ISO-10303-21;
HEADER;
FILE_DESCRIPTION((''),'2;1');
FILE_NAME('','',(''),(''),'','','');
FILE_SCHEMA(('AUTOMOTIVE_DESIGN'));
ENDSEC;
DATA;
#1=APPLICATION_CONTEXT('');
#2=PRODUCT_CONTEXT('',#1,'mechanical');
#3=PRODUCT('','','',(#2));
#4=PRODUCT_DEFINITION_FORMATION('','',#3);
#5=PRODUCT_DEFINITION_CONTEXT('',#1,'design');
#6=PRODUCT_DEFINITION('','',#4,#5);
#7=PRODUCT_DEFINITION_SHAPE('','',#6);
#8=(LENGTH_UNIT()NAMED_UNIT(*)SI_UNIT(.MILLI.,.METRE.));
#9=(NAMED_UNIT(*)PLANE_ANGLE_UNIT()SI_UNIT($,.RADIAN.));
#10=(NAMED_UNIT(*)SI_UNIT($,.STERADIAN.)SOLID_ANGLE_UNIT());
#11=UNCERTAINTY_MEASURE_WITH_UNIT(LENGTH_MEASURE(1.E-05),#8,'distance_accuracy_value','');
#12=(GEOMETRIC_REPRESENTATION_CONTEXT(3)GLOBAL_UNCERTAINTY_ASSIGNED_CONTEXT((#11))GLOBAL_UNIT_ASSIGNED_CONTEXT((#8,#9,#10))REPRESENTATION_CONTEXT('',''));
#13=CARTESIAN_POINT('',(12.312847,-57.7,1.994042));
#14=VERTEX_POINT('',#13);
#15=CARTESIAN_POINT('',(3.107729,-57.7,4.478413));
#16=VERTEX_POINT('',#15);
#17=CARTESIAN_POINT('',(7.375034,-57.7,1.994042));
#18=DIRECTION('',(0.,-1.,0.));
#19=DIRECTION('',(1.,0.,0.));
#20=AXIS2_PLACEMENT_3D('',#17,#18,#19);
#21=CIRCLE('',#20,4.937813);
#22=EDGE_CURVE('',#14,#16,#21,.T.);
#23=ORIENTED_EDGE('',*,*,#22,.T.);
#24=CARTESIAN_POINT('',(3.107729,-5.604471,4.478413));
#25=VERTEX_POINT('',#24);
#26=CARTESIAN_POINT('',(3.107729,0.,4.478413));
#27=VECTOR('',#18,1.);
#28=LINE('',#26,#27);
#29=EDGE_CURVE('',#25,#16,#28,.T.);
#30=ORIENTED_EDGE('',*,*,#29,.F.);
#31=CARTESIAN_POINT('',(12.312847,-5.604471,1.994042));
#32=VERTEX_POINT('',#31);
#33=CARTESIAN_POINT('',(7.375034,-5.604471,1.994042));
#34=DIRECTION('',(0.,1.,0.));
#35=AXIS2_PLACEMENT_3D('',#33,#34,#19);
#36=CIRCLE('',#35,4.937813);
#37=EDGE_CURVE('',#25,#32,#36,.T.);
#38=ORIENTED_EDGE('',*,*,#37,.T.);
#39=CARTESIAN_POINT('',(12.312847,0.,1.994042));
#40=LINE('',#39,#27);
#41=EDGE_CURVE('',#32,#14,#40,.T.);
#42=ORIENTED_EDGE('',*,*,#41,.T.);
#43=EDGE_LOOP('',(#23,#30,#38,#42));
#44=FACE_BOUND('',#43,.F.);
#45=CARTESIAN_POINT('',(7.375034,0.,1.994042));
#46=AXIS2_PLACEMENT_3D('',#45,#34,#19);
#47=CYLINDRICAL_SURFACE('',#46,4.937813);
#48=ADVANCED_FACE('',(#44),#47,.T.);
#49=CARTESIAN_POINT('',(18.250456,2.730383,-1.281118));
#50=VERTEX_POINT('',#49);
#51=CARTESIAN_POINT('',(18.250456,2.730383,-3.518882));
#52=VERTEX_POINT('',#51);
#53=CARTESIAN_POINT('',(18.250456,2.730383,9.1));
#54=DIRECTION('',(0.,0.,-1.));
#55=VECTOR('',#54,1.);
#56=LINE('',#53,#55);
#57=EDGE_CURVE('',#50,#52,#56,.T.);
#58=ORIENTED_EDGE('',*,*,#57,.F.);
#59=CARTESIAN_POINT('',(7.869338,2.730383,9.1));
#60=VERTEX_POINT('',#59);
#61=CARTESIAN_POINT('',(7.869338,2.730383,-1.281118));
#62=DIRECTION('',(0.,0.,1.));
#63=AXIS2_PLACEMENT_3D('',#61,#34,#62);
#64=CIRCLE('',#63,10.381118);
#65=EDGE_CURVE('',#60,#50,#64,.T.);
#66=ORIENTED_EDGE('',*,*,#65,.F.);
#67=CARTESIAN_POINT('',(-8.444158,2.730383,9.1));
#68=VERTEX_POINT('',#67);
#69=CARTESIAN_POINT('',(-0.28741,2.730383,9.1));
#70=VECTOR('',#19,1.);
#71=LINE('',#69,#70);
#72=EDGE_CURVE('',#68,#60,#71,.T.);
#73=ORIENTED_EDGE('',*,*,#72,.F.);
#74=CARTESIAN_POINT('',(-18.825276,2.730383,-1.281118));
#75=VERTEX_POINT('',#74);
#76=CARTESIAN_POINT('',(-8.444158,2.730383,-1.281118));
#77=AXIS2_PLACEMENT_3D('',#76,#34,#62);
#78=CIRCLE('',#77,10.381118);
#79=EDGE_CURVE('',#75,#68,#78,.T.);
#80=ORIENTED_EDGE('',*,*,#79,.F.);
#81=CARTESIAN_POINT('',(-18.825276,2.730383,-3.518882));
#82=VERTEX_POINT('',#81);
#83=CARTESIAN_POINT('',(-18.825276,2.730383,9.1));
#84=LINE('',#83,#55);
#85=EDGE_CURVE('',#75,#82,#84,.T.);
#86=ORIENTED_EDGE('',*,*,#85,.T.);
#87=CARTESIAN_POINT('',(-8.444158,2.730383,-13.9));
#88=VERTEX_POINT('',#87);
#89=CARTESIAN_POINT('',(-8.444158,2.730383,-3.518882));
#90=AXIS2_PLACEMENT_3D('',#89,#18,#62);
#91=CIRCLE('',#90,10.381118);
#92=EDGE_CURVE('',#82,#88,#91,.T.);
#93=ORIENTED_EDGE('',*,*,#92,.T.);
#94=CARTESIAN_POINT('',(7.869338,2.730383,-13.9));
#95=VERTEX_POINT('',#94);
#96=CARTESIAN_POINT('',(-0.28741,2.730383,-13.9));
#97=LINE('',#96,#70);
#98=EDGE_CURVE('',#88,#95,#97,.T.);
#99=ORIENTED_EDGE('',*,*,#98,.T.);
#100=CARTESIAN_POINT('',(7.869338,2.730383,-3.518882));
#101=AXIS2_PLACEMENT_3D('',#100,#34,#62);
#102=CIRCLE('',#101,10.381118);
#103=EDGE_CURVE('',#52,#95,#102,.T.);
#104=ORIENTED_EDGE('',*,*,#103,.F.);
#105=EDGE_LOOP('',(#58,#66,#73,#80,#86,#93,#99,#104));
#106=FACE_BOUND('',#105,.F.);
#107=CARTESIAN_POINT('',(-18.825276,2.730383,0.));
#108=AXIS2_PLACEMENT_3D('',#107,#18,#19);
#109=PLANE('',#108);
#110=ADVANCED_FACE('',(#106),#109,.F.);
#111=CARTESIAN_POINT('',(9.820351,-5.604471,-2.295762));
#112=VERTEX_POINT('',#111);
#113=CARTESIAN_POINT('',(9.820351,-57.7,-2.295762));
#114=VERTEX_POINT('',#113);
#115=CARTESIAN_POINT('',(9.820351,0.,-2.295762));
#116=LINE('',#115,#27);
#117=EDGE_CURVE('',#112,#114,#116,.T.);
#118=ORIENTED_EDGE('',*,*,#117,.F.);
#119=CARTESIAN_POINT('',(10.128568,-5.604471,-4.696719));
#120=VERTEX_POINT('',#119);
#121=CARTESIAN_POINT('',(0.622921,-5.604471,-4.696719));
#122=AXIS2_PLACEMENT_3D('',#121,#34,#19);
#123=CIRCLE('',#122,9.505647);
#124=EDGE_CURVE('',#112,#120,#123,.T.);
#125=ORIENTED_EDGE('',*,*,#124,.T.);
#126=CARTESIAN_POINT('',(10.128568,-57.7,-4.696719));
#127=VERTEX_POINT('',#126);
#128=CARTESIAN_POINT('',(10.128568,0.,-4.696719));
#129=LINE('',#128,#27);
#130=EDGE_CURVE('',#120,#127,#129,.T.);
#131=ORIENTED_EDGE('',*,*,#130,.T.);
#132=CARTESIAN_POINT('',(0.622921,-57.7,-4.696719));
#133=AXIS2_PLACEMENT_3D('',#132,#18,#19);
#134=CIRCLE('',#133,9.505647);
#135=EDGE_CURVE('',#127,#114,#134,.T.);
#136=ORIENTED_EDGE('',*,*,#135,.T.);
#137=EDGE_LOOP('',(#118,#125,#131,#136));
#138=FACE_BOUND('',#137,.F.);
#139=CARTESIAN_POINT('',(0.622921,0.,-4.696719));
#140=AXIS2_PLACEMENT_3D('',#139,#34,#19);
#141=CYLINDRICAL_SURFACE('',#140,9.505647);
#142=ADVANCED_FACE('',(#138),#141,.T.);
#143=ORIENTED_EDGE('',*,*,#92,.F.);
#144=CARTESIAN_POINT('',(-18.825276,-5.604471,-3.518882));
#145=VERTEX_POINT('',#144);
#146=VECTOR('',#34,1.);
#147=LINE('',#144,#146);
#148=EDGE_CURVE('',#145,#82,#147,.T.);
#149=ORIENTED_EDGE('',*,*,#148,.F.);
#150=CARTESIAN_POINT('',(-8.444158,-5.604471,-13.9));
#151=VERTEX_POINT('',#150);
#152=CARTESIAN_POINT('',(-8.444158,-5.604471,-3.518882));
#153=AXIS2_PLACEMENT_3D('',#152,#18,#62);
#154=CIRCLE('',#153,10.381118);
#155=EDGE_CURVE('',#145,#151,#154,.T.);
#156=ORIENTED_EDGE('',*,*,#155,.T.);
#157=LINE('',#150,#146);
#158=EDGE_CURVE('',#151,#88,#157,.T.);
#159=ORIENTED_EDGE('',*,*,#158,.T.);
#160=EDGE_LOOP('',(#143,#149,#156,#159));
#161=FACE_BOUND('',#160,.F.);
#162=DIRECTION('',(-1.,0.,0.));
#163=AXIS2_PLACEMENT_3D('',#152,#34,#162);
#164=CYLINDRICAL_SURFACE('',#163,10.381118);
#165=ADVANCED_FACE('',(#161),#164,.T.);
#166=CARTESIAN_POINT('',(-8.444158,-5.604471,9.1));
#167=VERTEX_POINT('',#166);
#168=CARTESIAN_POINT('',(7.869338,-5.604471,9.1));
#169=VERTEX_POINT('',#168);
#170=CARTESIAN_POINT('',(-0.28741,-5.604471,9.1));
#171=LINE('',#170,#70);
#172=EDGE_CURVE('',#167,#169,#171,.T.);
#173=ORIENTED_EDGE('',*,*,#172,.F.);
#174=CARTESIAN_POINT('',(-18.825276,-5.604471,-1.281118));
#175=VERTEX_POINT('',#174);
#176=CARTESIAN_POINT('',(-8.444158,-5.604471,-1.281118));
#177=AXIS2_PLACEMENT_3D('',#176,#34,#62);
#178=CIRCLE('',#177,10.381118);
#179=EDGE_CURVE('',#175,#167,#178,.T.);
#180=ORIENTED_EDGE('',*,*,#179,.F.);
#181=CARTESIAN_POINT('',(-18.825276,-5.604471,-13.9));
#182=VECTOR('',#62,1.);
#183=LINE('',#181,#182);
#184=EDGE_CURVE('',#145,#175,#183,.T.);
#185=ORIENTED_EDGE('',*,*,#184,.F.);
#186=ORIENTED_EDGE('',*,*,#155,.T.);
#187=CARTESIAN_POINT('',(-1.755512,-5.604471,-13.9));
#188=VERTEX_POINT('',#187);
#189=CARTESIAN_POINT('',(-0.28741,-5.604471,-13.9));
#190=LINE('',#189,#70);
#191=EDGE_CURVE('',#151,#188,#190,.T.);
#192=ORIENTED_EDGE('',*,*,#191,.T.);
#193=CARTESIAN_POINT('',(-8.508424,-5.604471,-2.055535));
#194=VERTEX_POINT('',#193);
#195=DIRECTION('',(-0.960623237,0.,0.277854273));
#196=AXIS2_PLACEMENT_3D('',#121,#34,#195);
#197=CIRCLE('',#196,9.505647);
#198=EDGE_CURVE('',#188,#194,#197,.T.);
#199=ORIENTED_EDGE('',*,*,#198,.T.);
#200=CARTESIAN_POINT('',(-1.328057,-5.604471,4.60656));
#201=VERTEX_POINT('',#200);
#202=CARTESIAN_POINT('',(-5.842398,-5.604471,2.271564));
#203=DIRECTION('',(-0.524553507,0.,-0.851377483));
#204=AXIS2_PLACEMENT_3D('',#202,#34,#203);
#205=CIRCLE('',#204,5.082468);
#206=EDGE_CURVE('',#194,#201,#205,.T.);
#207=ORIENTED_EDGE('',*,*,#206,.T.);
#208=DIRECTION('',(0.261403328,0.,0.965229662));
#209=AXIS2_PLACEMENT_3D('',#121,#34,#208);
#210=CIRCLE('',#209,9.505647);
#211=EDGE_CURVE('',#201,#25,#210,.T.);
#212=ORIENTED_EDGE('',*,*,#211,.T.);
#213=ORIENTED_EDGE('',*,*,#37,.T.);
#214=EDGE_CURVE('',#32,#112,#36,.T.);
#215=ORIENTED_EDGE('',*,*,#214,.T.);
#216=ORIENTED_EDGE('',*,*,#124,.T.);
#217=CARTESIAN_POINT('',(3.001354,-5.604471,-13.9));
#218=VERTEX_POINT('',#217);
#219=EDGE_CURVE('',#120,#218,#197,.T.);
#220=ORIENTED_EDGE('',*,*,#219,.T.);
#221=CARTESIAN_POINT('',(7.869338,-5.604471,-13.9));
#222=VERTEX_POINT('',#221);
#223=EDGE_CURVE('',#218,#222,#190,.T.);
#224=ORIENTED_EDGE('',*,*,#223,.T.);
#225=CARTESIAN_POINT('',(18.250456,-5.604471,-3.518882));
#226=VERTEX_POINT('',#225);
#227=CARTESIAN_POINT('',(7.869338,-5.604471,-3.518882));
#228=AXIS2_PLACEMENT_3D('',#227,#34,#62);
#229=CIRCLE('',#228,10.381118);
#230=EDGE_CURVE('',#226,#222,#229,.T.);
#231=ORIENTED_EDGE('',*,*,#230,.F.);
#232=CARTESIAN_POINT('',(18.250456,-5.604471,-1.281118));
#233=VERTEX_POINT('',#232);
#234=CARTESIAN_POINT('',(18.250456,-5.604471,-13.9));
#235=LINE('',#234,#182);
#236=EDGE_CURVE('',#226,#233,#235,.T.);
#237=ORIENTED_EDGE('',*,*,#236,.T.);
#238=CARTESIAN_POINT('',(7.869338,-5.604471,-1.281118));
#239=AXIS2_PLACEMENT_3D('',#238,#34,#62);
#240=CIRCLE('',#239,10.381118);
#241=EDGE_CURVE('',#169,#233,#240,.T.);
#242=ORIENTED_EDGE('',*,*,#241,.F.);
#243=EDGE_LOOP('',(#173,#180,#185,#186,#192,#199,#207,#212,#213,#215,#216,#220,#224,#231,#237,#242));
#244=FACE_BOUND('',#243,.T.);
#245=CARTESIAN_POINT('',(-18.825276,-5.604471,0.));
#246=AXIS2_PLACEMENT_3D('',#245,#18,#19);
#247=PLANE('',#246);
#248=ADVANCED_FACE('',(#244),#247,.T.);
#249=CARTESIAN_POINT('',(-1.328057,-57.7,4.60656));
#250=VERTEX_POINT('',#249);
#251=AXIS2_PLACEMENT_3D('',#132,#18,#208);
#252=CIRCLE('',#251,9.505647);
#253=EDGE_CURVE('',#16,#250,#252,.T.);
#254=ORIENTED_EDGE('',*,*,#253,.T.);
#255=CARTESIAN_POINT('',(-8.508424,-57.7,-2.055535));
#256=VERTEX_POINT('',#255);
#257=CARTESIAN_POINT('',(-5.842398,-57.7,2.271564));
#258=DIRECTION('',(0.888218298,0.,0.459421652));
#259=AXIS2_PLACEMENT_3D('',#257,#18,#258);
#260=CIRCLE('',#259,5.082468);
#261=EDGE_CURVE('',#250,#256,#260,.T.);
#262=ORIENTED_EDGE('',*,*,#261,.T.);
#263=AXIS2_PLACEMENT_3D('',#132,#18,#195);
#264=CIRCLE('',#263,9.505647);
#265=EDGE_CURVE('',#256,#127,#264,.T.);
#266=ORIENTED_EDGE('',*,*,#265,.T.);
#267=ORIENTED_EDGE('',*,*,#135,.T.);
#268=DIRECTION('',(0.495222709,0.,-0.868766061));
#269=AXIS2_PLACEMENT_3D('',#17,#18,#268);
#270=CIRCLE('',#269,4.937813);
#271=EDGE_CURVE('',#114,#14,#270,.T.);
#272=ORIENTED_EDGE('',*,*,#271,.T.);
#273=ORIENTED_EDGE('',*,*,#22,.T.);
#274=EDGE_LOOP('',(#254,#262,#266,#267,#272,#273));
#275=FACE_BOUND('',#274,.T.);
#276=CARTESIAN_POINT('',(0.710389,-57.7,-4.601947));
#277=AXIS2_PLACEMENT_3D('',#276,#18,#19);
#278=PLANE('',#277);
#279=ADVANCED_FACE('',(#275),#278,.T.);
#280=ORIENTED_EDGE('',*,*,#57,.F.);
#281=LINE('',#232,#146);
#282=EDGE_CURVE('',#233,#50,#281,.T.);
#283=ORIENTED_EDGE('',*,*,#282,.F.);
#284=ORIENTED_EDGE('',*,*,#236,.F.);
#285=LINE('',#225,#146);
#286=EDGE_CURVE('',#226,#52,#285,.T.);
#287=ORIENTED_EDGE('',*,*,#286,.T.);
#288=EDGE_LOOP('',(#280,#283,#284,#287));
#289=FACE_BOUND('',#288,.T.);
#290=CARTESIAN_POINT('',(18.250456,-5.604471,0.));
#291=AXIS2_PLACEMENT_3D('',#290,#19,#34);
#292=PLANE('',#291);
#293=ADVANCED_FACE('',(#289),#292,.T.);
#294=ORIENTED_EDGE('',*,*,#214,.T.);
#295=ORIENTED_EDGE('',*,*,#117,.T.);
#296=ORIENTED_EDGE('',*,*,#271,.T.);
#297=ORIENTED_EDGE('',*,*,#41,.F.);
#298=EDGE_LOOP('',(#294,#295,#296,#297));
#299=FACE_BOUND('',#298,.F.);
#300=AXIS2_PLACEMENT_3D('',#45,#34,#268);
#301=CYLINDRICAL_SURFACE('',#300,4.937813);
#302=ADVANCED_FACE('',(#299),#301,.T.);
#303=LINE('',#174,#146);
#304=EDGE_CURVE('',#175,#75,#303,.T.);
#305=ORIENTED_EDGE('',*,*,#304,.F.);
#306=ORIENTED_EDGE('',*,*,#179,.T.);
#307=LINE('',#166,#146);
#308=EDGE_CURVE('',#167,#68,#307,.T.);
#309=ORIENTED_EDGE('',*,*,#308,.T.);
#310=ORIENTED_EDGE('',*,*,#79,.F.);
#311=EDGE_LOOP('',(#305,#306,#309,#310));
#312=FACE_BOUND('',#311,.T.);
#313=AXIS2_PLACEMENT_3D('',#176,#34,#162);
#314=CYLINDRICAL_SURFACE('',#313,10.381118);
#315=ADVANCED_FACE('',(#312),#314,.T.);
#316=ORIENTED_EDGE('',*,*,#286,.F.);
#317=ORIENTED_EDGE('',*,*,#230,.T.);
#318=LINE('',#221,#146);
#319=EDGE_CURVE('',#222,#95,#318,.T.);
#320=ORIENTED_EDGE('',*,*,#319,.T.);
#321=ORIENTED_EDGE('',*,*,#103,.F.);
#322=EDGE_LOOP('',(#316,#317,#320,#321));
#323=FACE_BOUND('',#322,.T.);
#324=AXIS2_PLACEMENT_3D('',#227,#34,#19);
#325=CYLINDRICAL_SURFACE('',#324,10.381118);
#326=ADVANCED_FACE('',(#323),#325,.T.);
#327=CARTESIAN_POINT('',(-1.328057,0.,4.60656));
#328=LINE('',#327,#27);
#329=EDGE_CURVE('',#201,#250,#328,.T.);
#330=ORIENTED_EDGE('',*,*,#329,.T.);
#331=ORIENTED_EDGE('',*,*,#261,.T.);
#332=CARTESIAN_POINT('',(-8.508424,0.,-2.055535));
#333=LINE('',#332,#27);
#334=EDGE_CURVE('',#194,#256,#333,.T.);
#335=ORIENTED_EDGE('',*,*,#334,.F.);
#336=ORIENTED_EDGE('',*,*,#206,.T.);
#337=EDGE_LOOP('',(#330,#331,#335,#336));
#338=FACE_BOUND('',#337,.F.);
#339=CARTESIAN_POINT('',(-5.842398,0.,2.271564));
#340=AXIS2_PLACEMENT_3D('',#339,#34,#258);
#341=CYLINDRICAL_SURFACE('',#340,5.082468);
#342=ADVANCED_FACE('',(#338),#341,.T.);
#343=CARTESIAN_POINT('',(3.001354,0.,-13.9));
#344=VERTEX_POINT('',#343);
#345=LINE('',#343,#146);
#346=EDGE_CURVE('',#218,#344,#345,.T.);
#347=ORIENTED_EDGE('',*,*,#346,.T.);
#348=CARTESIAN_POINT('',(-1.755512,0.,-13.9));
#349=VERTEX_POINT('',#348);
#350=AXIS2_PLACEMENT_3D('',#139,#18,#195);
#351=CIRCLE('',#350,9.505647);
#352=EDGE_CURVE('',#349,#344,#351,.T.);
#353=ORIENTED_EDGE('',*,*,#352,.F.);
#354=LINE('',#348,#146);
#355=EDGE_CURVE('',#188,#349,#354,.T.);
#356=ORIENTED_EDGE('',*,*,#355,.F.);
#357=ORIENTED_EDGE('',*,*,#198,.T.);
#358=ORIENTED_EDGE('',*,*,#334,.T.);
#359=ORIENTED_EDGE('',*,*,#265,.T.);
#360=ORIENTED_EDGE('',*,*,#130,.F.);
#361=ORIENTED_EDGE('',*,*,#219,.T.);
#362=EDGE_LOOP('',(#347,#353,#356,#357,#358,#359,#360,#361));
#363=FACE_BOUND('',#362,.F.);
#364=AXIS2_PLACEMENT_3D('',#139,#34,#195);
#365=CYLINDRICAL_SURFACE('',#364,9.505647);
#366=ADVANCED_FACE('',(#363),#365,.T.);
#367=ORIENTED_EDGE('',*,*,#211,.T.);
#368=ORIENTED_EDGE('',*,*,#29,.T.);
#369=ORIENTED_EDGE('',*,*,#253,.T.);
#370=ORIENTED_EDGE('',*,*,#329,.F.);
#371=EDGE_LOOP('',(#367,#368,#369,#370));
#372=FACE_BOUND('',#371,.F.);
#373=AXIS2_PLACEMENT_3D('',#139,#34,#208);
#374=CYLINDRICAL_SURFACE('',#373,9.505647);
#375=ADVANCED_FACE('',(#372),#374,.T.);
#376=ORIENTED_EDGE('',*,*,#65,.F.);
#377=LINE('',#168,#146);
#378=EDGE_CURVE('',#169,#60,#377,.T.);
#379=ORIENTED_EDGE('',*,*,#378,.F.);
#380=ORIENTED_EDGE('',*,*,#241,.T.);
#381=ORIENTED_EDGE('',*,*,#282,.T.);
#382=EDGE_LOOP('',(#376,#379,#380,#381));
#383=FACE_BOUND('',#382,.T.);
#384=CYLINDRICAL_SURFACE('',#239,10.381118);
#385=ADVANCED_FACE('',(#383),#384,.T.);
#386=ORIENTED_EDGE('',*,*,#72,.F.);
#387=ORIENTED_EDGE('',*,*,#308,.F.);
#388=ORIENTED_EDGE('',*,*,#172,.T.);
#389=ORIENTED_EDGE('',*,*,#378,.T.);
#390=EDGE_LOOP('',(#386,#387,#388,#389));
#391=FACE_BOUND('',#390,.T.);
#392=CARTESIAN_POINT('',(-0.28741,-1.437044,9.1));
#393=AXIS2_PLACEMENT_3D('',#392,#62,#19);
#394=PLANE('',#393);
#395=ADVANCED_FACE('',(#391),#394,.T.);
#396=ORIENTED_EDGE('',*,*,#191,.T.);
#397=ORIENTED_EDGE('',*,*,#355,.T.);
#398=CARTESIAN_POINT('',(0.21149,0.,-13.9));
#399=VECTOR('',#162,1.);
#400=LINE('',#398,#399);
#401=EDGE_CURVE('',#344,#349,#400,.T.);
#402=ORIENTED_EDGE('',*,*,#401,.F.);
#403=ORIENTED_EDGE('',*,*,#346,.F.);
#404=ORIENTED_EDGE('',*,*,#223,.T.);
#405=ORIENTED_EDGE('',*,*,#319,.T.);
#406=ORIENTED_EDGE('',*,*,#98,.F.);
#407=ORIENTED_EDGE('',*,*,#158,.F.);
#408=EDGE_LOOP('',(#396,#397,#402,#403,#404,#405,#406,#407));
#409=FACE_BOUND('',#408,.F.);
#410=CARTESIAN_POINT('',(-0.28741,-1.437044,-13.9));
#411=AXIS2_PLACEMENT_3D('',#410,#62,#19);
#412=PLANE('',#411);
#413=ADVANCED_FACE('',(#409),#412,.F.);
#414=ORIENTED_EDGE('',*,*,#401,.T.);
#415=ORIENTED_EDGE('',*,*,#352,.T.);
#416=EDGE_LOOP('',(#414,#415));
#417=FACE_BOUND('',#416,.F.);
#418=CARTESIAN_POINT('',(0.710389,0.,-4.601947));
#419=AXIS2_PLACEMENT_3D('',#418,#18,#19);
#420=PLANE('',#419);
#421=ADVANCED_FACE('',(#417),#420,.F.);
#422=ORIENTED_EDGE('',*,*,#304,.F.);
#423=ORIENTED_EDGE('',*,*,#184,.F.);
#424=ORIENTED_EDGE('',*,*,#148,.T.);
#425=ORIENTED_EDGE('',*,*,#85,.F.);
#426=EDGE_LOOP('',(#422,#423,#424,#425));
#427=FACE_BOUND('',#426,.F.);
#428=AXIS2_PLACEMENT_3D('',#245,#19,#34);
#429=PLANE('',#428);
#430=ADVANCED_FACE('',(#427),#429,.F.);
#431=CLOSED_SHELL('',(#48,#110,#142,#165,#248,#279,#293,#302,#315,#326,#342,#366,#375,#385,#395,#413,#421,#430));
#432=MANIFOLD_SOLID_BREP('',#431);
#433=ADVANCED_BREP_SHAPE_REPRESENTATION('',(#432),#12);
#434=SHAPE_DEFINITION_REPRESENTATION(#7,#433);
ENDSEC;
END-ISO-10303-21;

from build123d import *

# Parameters (mm, degrees)
F1_DEPTH      = 57.7
F2_W          = 37.0757319033
F2_H          = 8.3348543849
F3_DEPTH      = 9.1
F3_DEPTH_BACK = 13.9
F4_R          = 10.3811183182


with BuildPart() as f1:
    # F0 (on Front) → F1 (new body)
    with BuildSketch(Plane.XZ):
        with BuildLine():
            ThreePointArc((-8.50842429, -2.055534725), (-0.7108667363, -14.1083254953), (10.1285676568, -4.696719299))
            ThreePointArc((10.1285676568, -4.696719299), (10.0511987024, -3.4863896128), (9.8203512915, -2.2957623088))
            ThreePointArc((9.8203512915, -2.2957623088), (3.867574575, -1.4815476648), (3.107728587, 4.4784129221))
            ThreePointArc((3.107728587, 4.4784129221), (0.8974187737, 4.8049632632), (-1.3280566308, 4.6065600879))
            ThreePointArc((-1.3280566308, 4.6065600879), (-0.9040034744, 3.4731229743), (-0.7599296961, 2.2715641883))
            ThreePointArc((-0.7599296961, 2.2715641883), (-3.3643453928, -2.1658605569), (-8.50842429, -2.055534725))
        make_face()
        with BuildLine():
            ThreePointArc((-1.3280566308, 4.6065600879), (-5.8423978144, 2.2715641883), (-8.50842429, -2.055534725))
            ThreePointArc((-8.50842429, -2.055534725), (-3.3643453928, -2.1658605569), (-0.7599296961, 2.2715641883))
            ThreePointArc((-0.7599296961, 2.2715641883), (-0.9040034744, 3.4731229743), (-1.3280566308, 4.6065600879))
        make_face()
        with BuildLine():
            ThreePointArc((3.107728587, 4.4784129221), (3.867574575, -1.4815476648), (9.8203512915, -2.2957623088))
            ThreePointArc((9.8203512915, -2.2957623088), (7.3750342072, 1.9940419619), (3.107728587, 4.4784129221))
        make_face()
        with BuildLine():
            ThreePointArc((3.107728587, 4.4784129221), (7.3750342072, 1.9940419619), (9.8203512915, -2.2957623088))
            ThreePointArc((9.8203512915, -2.2957623088), (11.6444905303, -0.4866311381), (12.3128471161, 1.9940419619))
            ThreePointArc((12.3128471161, 1.9940419619), (8.6616653793, 6.761281892), (3.107728587, 4.4784129221))
        make_face()
        with BuildLine():
            ThreePointArc((-1.3280566308, 4.6065600879), (-9.2992668658, 5.9973578668), (-8.50842429, -2.055534725))
            ThreePointArc((-8.50842429, -2.055534725), (-5.8423978144, 2.2715641883), (-1.3280566308, 4.6065600879))
        make_face()
    extrude(amount=F1_DEPTH)

    # F2 (on Top) → F3 (join, two sides)
    with BuildSketch(Plane.XY) as f3_sk:
        with Locations((-0.2874098718, -1.4370438876)):
            Rectangle(F2_W, F2_H)
    extrude(amount=F3_DEPTH)
    extrude(f3_sk.sketch, amount=-F3_DEPTH_BACK)

    # F4
    f4_edges = [f1.edges().sort_by_distance(p)[0] for p in [
        (-18.825276, -1.437044, -13.9),
        (-18.825276, -1.437044, 9.1),
        (18.250456, -1.437044, 9.1),
        (18.250456, -1.437044, -13.9),
    ]]
    fillet(f4_edges, radius=F4_R)


solid = f1.part
